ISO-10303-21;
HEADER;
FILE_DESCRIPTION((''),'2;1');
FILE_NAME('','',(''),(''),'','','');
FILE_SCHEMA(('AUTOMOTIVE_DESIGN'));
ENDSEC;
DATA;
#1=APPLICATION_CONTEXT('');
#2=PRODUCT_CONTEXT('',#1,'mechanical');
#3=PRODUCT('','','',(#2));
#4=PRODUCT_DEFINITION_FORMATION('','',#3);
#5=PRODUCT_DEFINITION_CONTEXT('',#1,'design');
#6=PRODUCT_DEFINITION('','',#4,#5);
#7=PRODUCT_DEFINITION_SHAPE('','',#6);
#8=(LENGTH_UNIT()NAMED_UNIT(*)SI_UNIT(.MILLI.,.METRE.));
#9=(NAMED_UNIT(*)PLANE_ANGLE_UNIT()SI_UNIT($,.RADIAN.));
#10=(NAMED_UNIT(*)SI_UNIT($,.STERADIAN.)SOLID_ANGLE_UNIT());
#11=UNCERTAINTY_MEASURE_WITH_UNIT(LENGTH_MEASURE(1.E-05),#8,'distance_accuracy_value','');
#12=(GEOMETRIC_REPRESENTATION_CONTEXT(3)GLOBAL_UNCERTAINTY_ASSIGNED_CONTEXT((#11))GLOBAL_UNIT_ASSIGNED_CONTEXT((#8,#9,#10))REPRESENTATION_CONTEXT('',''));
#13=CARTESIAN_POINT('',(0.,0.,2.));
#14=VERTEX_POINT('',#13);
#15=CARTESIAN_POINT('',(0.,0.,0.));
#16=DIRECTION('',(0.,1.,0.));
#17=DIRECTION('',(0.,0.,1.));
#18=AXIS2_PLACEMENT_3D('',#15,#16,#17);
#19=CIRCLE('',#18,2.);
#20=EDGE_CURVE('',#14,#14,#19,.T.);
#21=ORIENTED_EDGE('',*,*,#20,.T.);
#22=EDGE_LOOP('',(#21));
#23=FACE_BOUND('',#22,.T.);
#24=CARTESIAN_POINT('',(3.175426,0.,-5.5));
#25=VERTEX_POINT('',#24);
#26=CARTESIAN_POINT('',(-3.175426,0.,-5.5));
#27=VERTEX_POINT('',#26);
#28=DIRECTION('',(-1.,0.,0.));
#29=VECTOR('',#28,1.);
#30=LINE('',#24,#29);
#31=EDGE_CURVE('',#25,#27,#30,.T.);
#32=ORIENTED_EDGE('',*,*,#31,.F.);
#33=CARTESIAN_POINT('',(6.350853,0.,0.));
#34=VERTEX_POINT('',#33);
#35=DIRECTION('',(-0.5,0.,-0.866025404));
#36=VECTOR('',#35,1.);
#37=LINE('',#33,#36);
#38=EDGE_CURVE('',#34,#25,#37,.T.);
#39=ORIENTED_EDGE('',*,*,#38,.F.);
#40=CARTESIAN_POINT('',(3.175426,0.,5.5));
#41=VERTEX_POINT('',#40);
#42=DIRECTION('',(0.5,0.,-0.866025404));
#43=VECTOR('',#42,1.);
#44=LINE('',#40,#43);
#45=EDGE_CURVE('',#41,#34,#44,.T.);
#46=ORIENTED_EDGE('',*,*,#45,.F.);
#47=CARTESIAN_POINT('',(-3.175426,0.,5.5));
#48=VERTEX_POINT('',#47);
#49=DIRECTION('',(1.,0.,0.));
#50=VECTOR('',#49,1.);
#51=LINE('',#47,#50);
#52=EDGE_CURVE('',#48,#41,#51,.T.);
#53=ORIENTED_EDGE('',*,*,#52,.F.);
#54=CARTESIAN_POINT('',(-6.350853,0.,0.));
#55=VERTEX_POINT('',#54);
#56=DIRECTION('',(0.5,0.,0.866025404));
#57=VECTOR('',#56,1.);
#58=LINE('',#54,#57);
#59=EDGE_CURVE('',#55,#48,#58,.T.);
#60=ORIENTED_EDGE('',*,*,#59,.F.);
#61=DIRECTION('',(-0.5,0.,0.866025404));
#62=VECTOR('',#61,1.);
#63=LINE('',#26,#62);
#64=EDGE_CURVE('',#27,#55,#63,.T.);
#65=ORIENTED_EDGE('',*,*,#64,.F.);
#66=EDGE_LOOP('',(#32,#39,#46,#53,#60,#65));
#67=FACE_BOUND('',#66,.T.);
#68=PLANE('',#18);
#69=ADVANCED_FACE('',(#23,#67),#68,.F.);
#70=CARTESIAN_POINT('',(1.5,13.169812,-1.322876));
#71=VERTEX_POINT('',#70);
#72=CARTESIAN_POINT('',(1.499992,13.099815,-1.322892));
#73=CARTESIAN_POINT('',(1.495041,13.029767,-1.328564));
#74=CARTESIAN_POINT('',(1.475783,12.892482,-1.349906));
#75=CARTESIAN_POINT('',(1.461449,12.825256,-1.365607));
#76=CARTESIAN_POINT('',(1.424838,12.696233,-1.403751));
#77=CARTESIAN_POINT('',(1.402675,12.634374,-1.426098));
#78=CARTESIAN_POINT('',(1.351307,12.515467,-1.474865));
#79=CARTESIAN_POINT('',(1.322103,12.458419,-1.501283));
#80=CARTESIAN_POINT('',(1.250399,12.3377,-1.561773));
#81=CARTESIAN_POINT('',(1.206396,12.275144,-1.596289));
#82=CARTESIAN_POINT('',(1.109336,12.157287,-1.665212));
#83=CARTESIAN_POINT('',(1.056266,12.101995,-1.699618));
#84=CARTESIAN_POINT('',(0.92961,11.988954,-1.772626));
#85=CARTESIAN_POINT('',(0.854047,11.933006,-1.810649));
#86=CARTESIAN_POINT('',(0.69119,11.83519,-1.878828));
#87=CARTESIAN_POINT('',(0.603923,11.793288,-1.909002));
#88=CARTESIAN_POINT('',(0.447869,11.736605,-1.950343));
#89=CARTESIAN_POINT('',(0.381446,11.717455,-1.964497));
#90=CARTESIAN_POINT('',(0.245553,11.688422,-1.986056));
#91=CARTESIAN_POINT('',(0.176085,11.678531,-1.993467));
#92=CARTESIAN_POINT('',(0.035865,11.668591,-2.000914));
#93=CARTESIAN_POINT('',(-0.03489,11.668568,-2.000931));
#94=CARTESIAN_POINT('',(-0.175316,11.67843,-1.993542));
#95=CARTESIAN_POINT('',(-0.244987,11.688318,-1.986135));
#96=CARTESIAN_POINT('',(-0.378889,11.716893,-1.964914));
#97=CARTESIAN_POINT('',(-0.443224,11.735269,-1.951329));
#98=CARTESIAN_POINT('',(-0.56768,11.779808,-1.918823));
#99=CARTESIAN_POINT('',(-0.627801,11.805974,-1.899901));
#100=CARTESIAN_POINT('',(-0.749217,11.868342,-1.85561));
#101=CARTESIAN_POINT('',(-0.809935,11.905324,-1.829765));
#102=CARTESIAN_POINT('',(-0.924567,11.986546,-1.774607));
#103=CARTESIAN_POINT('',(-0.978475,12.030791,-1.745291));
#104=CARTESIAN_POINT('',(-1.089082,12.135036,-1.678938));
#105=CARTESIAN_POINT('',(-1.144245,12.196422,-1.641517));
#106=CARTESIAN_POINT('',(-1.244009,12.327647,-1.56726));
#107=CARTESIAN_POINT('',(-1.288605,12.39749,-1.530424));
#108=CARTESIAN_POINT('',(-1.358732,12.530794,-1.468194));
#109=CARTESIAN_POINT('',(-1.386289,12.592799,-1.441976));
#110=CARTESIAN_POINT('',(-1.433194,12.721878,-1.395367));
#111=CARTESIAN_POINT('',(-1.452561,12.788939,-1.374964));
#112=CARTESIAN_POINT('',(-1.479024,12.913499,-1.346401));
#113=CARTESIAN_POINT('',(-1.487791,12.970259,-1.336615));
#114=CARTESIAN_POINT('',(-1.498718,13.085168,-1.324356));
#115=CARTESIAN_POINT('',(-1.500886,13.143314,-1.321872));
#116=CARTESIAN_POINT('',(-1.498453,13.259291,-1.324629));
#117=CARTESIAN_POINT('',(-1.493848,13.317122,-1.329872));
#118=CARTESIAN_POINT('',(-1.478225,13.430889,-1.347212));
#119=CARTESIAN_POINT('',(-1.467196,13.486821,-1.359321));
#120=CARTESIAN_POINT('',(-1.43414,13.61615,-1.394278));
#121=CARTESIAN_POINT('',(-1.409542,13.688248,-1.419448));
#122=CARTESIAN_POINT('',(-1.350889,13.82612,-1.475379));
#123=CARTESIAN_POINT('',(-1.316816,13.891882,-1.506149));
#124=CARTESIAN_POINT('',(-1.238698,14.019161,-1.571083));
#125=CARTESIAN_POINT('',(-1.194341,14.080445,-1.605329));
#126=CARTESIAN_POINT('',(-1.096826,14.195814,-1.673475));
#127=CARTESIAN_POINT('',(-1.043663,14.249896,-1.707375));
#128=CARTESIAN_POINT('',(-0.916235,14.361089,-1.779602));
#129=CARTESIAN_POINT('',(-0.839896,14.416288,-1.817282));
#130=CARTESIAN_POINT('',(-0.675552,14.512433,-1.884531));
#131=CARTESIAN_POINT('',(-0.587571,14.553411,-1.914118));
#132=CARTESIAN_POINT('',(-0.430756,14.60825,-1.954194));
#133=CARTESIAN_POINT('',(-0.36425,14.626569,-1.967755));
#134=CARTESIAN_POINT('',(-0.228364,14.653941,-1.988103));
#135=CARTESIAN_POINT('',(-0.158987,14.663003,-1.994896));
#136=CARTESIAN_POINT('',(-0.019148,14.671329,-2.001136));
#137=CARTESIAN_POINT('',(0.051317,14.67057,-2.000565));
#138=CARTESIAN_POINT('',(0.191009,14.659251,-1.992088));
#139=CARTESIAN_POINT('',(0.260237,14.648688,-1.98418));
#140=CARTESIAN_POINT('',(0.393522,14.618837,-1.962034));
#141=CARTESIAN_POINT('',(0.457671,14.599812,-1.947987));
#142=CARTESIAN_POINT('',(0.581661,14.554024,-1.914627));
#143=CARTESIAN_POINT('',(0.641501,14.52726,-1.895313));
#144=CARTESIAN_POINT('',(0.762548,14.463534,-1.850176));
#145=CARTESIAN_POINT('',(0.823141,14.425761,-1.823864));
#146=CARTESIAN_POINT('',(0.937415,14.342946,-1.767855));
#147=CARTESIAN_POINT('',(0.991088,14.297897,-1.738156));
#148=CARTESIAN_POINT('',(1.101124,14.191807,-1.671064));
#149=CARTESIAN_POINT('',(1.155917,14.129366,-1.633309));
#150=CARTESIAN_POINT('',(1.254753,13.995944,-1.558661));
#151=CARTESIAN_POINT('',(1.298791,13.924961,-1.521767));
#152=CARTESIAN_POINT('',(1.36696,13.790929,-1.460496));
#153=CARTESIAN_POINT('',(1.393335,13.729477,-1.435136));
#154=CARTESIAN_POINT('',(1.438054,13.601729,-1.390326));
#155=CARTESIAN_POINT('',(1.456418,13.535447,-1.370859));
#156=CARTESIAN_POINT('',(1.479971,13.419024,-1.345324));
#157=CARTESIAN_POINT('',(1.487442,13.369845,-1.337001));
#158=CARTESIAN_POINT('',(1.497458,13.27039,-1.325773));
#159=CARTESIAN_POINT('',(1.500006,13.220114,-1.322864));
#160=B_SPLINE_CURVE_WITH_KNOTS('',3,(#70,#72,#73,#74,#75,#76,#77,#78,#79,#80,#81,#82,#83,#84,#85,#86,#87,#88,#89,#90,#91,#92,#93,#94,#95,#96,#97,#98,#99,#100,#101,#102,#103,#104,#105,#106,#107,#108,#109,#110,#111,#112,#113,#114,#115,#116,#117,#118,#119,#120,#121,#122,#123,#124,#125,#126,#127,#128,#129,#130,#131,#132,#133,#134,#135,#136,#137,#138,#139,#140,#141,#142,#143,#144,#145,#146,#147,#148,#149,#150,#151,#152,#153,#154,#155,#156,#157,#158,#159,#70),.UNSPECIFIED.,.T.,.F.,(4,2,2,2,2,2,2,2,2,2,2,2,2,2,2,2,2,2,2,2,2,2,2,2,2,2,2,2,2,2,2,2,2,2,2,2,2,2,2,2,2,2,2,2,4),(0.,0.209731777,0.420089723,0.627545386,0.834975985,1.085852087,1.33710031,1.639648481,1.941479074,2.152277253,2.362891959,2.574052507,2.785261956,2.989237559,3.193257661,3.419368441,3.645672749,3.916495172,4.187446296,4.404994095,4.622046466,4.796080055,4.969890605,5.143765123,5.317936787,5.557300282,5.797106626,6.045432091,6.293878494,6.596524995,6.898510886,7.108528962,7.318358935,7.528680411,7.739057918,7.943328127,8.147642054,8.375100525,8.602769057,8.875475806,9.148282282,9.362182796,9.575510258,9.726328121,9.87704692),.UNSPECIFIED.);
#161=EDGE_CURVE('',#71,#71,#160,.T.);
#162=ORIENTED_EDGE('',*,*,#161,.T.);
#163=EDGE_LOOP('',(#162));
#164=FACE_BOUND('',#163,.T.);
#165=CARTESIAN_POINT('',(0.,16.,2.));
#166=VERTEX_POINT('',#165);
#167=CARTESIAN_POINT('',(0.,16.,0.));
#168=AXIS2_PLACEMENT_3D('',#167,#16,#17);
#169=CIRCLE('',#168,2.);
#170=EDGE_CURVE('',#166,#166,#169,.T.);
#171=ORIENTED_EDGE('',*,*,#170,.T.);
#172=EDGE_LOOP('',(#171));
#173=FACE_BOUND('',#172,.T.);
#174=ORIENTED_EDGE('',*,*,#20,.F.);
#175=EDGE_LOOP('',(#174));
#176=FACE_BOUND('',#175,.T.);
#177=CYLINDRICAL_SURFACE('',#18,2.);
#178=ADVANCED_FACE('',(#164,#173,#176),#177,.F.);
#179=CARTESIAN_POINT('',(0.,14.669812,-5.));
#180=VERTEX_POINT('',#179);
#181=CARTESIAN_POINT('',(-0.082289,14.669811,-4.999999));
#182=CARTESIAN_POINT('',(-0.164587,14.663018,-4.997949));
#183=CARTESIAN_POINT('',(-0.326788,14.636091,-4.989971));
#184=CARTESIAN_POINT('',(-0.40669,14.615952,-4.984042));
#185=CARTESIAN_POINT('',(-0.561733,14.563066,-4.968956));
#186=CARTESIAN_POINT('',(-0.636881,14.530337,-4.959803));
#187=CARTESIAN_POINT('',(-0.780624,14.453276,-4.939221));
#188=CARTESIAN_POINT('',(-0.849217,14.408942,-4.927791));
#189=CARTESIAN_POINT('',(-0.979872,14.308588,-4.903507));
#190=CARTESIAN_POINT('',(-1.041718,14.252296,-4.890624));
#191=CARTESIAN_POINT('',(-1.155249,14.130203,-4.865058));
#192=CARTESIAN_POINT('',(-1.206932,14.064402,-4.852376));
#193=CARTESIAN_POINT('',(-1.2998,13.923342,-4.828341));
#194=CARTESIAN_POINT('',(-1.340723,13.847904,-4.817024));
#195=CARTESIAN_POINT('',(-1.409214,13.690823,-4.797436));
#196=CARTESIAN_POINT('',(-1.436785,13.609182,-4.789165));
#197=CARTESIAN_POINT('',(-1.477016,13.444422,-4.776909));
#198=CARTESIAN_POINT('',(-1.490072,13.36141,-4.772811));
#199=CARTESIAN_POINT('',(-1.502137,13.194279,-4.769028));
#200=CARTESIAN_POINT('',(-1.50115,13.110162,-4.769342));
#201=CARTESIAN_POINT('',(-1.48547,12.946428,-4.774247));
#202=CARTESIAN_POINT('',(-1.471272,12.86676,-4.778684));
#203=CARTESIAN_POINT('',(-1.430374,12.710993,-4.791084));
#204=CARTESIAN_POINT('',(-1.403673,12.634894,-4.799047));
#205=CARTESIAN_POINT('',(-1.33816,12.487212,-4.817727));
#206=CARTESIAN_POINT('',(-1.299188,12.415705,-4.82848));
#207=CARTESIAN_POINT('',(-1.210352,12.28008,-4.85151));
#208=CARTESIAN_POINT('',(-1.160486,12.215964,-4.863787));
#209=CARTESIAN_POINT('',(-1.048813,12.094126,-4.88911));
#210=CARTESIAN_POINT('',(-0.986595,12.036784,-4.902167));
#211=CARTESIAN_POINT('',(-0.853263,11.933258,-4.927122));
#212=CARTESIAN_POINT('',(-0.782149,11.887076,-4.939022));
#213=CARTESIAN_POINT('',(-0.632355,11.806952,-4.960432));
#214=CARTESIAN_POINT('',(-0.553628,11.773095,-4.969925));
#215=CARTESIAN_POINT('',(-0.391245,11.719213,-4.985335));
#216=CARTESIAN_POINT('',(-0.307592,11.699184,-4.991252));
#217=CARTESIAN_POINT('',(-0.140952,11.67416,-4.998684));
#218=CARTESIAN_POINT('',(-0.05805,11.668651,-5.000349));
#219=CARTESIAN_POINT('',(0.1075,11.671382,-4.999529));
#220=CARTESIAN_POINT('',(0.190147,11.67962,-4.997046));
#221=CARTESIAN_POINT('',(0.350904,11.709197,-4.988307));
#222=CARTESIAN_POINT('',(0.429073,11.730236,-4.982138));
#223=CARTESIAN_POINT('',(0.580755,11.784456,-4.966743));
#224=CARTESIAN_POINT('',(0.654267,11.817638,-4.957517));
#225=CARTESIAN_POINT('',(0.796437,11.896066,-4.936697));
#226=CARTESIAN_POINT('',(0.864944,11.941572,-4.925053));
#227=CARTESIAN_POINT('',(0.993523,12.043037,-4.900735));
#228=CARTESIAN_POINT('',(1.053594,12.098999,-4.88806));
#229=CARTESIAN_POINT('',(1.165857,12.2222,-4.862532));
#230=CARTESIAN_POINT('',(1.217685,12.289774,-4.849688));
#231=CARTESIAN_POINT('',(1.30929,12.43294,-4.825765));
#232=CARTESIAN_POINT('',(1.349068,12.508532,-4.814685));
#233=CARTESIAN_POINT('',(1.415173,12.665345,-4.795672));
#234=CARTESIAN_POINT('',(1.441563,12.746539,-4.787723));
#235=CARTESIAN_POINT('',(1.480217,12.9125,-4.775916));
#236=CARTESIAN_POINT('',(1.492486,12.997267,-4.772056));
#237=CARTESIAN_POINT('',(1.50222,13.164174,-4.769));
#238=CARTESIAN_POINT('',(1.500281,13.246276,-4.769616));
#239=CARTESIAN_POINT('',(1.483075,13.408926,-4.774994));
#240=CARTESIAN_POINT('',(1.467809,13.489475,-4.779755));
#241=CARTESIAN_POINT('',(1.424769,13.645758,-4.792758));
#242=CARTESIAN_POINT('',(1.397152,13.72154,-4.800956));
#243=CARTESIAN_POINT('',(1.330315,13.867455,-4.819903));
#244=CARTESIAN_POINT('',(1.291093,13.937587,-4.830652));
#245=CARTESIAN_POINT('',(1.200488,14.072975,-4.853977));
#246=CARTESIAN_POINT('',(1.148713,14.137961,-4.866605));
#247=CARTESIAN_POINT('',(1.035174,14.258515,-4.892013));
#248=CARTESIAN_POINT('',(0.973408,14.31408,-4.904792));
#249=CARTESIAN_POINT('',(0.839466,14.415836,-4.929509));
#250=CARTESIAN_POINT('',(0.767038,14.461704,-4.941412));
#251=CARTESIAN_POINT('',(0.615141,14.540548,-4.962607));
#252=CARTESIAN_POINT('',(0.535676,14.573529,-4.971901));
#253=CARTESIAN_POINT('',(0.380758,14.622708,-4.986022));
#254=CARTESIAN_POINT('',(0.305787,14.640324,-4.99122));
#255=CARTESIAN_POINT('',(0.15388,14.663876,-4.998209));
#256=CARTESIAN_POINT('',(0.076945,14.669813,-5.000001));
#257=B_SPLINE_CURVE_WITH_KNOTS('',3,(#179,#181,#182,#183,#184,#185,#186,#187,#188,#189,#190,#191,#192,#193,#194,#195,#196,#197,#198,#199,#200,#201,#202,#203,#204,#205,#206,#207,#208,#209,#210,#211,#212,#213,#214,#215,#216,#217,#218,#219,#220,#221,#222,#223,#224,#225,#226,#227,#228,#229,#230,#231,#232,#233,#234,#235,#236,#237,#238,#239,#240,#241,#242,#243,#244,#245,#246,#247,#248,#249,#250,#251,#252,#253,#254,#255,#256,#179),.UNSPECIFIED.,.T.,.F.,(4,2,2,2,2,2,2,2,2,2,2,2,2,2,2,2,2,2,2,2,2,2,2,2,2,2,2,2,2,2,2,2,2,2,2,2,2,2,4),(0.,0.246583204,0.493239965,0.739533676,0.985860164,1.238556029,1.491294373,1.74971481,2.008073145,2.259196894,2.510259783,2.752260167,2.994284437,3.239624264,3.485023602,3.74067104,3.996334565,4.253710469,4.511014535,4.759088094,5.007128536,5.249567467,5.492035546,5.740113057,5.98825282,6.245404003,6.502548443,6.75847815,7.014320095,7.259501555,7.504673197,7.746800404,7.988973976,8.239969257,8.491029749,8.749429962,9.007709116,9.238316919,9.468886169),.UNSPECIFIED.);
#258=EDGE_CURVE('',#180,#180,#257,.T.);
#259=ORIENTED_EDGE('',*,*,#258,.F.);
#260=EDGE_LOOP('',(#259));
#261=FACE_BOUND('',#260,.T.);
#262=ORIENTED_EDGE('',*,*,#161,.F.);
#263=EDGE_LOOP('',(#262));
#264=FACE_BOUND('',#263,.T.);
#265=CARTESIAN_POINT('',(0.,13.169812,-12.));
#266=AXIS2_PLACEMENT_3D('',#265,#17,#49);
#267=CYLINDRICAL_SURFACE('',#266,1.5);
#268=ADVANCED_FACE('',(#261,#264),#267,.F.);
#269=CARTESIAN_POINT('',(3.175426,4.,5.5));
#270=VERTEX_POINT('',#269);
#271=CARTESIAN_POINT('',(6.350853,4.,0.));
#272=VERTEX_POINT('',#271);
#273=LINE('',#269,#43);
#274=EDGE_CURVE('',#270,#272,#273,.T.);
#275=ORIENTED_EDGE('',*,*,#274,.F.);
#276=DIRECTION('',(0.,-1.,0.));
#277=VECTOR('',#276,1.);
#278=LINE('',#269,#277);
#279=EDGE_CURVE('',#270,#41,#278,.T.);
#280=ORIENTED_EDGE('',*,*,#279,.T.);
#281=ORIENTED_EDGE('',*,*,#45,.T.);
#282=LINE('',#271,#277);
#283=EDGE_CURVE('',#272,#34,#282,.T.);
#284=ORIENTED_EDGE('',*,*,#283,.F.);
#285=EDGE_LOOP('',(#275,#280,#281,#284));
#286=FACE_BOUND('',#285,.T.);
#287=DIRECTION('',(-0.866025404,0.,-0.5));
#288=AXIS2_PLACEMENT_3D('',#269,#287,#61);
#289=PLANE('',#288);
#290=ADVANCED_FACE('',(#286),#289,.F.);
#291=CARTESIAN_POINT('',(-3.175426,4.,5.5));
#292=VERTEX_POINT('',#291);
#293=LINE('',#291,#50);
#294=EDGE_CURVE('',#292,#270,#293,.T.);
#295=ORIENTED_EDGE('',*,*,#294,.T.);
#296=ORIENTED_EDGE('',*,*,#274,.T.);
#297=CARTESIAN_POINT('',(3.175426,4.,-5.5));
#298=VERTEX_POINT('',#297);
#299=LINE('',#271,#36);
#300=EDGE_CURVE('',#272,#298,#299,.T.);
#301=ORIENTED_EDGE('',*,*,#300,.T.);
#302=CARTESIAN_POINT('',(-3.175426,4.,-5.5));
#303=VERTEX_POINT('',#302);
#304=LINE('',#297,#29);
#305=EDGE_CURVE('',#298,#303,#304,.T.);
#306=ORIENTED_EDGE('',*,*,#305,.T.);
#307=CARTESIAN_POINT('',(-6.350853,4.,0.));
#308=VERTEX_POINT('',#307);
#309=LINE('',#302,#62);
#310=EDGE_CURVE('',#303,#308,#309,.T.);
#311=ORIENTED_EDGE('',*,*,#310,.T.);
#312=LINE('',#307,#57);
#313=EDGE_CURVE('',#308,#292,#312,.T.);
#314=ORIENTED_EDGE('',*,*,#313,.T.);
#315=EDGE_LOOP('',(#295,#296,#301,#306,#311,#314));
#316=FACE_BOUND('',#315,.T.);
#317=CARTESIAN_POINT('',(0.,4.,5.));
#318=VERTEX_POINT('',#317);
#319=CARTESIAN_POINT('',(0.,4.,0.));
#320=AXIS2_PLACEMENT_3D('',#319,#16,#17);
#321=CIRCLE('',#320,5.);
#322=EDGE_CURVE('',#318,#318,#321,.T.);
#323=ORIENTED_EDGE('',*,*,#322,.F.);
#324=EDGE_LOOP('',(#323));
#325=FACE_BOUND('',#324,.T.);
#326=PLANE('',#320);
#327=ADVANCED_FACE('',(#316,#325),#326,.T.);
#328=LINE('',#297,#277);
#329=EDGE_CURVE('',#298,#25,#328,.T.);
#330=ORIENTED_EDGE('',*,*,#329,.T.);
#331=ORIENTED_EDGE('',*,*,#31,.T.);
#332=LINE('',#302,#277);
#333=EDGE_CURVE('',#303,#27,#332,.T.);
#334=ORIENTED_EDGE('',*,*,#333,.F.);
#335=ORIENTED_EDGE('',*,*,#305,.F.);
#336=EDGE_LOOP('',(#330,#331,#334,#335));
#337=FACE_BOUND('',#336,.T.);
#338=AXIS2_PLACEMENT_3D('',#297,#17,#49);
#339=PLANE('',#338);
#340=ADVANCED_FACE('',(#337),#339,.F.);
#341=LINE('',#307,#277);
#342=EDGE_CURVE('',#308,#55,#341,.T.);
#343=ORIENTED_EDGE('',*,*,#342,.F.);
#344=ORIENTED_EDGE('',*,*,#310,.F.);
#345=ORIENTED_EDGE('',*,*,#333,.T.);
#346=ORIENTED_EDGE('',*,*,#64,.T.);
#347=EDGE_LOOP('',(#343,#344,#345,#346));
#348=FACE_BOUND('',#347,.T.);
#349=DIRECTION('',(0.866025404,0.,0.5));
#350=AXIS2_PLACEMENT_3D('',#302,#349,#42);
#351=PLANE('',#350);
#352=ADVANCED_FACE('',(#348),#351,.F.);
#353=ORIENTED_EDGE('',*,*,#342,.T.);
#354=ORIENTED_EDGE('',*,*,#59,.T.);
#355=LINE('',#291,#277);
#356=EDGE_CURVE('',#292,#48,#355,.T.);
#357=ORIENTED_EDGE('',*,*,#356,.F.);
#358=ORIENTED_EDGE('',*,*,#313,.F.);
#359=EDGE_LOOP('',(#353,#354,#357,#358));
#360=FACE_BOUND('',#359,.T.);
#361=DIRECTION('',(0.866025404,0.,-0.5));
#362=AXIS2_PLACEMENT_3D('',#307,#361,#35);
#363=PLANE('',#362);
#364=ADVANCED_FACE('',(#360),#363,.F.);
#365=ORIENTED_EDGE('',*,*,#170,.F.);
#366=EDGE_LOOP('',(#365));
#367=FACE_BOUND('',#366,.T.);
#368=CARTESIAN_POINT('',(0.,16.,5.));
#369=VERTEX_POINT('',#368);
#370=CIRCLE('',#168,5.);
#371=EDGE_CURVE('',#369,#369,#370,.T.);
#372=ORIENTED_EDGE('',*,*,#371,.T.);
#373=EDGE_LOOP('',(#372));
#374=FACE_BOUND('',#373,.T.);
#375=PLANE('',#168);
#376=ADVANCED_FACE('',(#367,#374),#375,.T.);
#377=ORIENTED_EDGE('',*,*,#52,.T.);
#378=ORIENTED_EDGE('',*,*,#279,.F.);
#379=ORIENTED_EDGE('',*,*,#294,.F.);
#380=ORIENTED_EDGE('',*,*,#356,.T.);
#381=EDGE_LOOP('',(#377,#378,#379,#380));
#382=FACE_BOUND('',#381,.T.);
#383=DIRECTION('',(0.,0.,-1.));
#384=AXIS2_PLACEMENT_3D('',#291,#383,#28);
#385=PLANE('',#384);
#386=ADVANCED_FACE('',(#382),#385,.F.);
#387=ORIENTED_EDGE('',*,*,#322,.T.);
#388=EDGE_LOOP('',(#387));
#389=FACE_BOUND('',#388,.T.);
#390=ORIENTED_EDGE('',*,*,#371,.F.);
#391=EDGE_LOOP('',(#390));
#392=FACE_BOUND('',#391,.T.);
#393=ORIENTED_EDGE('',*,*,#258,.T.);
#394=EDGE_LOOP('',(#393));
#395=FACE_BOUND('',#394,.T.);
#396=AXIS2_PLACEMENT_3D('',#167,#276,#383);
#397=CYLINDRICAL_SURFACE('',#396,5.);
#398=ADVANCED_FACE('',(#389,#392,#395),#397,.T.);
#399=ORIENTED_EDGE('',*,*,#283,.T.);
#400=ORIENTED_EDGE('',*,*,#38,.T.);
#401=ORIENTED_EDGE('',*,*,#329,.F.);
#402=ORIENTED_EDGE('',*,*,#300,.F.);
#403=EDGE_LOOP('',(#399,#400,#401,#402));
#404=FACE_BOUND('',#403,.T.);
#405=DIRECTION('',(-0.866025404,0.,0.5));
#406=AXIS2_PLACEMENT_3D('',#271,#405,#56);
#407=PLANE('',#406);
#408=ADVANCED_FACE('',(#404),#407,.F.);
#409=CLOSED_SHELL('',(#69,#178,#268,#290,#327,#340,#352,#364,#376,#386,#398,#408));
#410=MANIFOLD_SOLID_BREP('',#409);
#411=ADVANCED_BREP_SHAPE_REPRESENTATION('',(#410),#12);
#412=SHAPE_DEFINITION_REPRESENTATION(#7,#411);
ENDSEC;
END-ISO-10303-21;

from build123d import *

# Parameters (mm, degrees)
BOSS_EXTRUDE1_DEPTH     = 4
SKETCH2_R               = 5
BOSS_EXTRUDE2_DEPTH     = 12
SKETCH3_R               = 2
CUT_EXTRUDE1_DEPTH      = 1
CUT_EXTRUDE1_DEPTH_BACK = 17
SKETCH4_R               = 1.5
CUT_EXTRUDE2_DEPTH      = 12


with BuildPart() as part:
    # Sketch1 → Boss-Extrude1 (new body)
    with BuildSketch(Plane(origin=(0, 0, 0), x_dir=(1, 0, 0), z_dir=(0, 1, 0))):
        Polygon((6.350852961, 0), (3.175426481, 5.5), (-3.175426481, 5.5), (-6.350852961, 0), (-3.175426481, -5.5), (3.175426481, -5.5), align=None)
    extrude(amount=BOSS_EXTRUDE1_DEPTH)

    # Sketch2 → Boss-Extrude2 (add)
    with BuildSketch(Plane(origin=(0, 4, 0), x_dir=(1, 0, 0), z_dir=(0, 1, 0))):
        Circle(SKETCH2_R)
    extrude(amount=BOSS_EXTRUDE2_DEPTH)

    # Sketch3 → Cut-Extrude1 (cut, two sides)
    with BuildSketch(Plane(origin=(0, 16, 0), x_dir=(1, 0, 0), z_dir=(0, 1, 0))) as cut_extrude1_sk:
        Circle(SKETCH3_R)
    extrude(amount=CUT_EXTRUDE1_DEPTH, mode=Mode.SUBTRACT)
    extrude(cut_extrude1_sk.sketch, amount=-CUT_EXTRUDE1_DEPTH_BACK, mode=Mode.SUBTRACT)

    # Sketch4 → Cut-Extrude2 (cut)
    with BuildSketch(Plane.XY):
        with Locations((0, 13.169812353)):
            Circle(SKETCH4_R)
    extrude(amount=-CUT_EXTRUDE2_DEPTH, mode=Mode.SUBTRACT)


solid = part.part
